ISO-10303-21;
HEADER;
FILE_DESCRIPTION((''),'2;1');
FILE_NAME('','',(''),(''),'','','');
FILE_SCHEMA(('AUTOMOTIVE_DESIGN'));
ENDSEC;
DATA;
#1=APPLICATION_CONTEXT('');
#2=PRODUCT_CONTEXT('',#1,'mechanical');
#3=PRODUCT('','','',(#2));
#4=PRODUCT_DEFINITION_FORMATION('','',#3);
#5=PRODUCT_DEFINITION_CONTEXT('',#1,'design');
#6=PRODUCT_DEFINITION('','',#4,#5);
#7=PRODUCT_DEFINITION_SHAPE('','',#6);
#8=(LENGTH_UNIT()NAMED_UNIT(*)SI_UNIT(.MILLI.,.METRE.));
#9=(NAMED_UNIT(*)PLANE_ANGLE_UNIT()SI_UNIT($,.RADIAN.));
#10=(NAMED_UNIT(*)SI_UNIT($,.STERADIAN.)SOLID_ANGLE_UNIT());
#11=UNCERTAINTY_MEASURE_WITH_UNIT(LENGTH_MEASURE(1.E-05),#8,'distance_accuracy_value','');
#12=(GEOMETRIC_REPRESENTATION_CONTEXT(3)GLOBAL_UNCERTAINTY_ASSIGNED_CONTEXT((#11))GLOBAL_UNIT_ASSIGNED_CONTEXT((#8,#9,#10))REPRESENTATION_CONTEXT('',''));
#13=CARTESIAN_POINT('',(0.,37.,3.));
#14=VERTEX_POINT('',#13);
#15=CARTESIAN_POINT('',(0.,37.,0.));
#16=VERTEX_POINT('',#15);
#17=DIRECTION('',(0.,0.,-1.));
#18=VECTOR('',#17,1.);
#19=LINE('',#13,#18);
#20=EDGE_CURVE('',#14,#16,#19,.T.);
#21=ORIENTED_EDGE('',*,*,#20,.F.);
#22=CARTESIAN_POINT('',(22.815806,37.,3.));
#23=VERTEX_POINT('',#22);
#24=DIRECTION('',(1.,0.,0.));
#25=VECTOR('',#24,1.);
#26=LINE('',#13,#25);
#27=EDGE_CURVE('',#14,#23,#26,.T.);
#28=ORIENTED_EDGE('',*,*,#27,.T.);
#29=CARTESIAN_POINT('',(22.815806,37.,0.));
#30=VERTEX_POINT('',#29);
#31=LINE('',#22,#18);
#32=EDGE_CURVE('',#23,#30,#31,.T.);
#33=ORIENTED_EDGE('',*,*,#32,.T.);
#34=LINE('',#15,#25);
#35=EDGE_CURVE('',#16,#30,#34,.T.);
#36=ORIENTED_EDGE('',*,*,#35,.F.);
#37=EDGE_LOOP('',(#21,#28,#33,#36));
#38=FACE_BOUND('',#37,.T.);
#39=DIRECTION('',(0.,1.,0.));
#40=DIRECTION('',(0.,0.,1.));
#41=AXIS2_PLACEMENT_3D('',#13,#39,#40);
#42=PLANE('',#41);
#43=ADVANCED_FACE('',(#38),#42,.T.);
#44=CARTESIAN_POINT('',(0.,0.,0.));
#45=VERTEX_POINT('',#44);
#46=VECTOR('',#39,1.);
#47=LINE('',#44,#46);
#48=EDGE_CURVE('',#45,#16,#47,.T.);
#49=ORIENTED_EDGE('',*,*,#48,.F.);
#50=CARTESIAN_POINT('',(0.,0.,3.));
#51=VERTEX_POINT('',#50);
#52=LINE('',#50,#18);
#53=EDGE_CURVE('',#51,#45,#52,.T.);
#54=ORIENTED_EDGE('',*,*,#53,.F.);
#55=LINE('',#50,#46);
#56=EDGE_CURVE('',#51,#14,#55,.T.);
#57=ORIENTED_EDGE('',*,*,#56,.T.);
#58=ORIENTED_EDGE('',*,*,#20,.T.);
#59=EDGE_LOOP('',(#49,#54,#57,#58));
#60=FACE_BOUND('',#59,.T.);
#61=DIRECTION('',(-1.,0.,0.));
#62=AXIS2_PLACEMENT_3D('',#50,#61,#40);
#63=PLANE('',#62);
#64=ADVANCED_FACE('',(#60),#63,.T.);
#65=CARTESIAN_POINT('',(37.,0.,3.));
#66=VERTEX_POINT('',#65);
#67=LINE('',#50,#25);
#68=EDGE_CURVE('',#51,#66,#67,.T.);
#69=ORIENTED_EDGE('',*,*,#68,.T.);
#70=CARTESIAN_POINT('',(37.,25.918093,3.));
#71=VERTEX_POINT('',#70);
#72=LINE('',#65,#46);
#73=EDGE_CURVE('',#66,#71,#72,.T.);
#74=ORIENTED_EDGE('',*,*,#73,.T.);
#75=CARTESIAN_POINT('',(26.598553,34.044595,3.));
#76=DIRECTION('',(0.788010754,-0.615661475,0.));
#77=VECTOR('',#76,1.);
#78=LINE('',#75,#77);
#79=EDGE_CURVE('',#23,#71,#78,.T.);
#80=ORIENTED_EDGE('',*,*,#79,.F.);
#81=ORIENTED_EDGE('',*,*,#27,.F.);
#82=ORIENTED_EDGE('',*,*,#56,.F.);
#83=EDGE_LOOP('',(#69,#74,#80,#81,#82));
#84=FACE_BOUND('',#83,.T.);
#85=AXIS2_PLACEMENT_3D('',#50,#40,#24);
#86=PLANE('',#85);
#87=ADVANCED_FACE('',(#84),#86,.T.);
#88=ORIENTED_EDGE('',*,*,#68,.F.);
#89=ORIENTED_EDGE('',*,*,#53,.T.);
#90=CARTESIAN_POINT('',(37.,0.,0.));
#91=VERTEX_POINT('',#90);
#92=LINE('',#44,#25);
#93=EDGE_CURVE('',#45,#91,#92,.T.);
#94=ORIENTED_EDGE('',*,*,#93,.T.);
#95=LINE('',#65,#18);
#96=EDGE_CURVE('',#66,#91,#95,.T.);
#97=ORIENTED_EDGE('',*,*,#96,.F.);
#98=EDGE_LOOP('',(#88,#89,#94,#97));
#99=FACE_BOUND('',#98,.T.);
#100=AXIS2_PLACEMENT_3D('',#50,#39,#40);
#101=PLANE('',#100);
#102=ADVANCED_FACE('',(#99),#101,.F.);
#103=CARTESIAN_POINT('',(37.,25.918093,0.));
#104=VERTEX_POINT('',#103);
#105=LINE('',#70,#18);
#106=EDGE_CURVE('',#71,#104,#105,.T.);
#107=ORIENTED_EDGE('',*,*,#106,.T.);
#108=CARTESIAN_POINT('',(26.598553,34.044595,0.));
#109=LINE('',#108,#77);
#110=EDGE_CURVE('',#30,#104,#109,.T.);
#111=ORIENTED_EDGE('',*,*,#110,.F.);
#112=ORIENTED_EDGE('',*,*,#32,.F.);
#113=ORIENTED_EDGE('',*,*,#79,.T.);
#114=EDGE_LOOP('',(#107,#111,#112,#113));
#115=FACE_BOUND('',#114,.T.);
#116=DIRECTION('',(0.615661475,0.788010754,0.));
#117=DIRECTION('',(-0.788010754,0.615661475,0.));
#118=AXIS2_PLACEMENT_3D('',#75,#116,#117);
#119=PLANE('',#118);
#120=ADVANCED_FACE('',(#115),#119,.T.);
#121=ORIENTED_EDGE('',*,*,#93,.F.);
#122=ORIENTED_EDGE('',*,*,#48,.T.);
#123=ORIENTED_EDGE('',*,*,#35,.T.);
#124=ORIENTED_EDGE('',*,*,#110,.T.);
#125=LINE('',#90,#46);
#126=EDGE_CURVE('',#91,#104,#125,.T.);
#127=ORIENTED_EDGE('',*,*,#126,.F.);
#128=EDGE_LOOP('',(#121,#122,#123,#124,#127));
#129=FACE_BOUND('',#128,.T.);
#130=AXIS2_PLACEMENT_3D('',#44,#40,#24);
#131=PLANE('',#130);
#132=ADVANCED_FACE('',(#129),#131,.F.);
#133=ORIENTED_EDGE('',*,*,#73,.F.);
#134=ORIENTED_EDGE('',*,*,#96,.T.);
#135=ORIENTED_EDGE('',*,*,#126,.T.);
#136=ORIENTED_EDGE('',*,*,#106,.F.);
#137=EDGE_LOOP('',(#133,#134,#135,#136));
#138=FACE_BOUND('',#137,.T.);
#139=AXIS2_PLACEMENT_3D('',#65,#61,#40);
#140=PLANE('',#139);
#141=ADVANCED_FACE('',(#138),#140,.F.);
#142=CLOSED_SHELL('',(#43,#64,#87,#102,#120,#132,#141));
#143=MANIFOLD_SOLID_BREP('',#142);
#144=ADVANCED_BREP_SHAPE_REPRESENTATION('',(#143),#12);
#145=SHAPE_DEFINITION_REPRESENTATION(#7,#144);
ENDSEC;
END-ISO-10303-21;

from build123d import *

# Parameters (mm, degrees)
BOSS_EXTRUDE1_DEPTH = 3


with BuildPart() as part:
    # Sketch1 → Boss-Extrude1 (new body)
    with BuildSketch(Plane.XY):
        Polygon((37, 25.918093444), (22.815806435, 37), (0, 37), (0, 0), (37, 0), align=None)
    extrude(amount=BOSS_EXTRUDE1_DEPTH)


solid = part.part
